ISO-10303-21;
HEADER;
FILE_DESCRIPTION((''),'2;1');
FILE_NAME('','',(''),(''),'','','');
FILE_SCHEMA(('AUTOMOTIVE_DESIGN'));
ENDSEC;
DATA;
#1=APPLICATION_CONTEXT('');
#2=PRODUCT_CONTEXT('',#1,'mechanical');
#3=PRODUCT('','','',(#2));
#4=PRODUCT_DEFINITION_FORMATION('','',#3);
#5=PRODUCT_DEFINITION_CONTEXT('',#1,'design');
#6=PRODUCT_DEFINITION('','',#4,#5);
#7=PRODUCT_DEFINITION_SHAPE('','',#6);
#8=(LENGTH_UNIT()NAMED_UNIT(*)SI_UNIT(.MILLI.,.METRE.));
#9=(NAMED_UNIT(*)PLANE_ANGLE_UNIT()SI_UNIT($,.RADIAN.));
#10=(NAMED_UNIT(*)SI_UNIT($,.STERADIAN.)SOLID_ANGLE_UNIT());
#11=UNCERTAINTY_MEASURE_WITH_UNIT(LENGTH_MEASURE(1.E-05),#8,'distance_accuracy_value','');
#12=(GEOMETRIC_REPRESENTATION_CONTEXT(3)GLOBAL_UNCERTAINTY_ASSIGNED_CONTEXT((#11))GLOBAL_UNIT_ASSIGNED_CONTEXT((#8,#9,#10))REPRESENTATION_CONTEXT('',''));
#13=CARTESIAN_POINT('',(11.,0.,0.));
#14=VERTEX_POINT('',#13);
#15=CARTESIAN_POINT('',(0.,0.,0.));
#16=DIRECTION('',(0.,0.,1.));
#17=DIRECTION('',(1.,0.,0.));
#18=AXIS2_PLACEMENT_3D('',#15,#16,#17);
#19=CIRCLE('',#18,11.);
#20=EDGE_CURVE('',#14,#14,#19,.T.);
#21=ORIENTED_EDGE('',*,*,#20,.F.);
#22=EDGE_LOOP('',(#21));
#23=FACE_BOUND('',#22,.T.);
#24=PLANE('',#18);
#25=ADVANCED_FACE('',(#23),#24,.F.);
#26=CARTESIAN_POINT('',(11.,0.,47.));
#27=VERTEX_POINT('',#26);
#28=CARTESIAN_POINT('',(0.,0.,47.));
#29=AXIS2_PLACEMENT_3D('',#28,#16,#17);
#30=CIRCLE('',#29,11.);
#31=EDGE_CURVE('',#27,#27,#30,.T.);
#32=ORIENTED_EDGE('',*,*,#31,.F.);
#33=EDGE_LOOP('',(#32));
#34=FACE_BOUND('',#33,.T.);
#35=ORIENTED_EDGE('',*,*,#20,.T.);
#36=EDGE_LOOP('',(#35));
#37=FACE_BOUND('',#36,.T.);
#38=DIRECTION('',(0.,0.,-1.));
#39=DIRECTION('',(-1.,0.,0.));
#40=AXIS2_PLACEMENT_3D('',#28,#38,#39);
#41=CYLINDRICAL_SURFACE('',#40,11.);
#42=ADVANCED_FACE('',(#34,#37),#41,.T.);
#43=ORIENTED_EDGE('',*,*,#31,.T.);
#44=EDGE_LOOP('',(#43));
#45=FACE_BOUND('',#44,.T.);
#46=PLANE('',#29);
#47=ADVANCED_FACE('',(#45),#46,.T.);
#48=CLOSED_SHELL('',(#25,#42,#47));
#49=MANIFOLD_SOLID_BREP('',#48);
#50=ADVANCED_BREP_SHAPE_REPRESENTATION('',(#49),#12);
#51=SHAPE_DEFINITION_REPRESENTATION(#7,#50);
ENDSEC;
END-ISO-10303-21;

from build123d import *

# Parameters (mm, degrees)
ESQUISSE1_R        = 11
BOSS_EXTRU_1_DEPTH = 47


with BuildPart() as part:
    # Esquisse1 → Boss.-Extru.1 (new body)
    with BuildSketch(Plane.XY):
        Circle(ESQUISSE1_R)
    extrude(amount=BOSS_EXTRU_1_DEPTH)


solid = part.part
